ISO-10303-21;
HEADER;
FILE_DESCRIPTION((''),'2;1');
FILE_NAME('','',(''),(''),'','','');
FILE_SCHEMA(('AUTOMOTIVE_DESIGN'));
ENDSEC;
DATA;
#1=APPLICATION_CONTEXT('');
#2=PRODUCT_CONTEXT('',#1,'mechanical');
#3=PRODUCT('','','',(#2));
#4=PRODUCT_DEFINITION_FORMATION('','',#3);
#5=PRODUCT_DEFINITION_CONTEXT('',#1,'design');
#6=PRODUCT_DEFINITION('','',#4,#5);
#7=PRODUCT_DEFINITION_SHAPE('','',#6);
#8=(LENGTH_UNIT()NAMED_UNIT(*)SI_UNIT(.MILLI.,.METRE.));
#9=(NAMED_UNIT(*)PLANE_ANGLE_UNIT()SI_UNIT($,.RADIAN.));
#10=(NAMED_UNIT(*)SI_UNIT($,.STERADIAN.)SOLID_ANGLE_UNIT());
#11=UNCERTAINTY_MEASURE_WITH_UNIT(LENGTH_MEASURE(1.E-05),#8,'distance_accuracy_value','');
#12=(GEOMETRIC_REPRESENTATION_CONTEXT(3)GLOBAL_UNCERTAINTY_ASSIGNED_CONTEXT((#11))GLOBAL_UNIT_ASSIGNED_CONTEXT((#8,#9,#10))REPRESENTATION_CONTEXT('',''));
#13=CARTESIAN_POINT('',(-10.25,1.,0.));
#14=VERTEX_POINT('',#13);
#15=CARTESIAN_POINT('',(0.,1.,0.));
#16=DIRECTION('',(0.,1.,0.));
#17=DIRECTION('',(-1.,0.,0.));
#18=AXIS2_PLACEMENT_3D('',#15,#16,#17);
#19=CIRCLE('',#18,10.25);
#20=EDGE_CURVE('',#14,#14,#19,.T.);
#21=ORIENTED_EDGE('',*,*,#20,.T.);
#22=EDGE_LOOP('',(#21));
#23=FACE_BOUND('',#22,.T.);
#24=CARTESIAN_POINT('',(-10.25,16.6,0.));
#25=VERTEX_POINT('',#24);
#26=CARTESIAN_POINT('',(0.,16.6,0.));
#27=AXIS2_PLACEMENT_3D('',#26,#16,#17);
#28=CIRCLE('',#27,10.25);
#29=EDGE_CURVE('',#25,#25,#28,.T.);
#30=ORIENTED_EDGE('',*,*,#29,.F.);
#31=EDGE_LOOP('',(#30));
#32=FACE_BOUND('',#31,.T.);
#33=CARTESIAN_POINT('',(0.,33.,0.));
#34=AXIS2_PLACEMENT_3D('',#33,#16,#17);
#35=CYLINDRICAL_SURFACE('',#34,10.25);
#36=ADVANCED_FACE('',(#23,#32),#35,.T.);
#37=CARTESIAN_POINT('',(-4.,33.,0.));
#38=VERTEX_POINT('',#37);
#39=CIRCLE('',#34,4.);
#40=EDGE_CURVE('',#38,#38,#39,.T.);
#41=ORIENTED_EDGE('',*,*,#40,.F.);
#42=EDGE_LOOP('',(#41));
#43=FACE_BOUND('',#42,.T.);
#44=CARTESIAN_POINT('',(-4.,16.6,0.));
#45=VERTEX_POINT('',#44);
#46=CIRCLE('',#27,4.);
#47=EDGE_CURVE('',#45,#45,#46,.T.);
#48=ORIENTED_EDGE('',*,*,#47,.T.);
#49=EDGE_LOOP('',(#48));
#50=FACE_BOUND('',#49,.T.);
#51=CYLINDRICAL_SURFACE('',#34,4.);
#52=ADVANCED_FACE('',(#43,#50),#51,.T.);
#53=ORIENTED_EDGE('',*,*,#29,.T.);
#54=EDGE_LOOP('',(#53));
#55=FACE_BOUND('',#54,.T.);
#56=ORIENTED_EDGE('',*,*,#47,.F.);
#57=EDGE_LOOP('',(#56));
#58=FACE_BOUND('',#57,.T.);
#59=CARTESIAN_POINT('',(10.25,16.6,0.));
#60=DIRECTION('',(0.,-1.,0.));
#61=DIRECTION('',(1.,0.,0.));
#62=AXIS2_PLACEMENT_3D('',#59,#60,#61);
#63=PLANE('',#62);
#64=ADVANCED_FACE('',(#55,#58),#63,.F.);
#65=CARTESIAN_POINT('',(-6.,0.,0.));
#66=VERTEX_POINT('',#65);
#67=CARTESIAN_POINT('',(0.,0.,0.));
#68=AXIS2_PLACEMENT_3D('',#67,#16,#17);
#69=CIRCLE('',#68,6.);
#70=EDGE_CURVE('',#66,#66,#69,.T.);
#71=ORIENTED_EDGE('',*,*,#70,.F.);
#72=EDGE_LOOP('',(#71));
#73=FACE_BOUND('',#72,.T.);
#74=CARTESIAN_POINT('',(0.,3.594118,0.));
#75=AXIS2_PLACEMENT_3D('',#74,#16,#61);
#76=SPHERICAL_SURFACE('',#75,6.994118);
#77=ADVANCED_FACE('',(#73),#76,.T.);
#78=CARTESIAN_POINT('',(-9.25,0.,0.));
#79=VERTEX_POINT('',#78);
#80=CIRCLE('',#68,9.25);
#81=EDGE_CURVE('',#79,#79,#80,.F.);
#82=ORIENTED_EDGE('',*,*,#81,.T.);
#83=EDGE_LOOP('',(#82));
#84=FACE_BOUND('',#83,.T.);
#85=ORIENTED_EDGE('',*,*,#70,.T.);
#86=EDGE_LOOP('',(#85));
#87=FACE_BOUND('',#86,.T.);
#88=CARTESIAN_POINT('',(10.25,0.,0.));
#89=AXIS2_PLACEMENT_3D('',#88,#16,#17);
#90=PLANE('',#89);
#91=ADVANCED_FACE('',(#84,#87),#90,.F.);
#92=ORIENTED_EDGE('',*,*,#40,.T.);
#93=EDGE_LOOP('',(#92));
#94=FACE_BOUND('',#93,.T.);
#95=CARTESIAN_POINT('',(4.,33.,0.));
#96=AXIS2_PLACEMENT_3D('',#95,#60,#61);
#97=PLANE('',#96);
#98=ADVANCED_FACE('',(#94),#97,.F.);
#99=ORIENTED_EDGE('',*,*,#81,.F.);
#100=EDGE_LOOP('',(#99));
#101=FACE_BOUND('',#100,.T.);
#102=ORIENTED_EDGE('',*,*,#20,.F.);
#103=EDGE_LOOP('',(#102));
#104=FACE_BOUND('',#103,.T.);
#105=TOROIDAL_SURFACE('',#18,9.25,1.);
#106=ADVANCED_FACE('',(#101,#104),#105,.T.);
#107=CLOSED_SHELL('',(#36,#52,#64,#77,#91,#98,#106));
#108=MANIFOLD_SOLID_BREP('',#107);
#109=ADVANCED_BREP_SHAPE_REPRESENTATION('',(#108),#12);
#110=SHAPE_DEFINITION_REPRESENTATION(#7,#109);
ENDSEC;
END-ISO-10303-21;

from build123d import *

# Parameters (mm, degrees)
CONG_1_R = 1


with BuildPart() as part:
    # Esquisse1 → Révolution1 (revolve)
    with BuildSketch(Plane.XY):
        with BuildLine():
            Line((10.25, 0), (6, 0))
            ThreePointArc((6, 0), (3.44818793, -2.490919876), (0, -3.4))
            Line((0, -3.4), (0, 0))
            Line((0, 0), (0, 33))
            Line((0, 33), (4, 33))
            Line((4, 33), (4, 16.6))
            Line((4, 16.6), (10.25, 16.6))
            Line((10.25, 16.6), (10.25, 0))
        make_face()
    revolve(axis=Axis((0, 33, 0), (0, -1, 0)))

    # Congé1
    cong_1_edges = [part.edges().sort_by_distance(p)[0] for p in [
        (-10.25, 0, 0),
    ]]
    fillet(cong_1_edges, radius=CONG_1_R)


solid = part.part
